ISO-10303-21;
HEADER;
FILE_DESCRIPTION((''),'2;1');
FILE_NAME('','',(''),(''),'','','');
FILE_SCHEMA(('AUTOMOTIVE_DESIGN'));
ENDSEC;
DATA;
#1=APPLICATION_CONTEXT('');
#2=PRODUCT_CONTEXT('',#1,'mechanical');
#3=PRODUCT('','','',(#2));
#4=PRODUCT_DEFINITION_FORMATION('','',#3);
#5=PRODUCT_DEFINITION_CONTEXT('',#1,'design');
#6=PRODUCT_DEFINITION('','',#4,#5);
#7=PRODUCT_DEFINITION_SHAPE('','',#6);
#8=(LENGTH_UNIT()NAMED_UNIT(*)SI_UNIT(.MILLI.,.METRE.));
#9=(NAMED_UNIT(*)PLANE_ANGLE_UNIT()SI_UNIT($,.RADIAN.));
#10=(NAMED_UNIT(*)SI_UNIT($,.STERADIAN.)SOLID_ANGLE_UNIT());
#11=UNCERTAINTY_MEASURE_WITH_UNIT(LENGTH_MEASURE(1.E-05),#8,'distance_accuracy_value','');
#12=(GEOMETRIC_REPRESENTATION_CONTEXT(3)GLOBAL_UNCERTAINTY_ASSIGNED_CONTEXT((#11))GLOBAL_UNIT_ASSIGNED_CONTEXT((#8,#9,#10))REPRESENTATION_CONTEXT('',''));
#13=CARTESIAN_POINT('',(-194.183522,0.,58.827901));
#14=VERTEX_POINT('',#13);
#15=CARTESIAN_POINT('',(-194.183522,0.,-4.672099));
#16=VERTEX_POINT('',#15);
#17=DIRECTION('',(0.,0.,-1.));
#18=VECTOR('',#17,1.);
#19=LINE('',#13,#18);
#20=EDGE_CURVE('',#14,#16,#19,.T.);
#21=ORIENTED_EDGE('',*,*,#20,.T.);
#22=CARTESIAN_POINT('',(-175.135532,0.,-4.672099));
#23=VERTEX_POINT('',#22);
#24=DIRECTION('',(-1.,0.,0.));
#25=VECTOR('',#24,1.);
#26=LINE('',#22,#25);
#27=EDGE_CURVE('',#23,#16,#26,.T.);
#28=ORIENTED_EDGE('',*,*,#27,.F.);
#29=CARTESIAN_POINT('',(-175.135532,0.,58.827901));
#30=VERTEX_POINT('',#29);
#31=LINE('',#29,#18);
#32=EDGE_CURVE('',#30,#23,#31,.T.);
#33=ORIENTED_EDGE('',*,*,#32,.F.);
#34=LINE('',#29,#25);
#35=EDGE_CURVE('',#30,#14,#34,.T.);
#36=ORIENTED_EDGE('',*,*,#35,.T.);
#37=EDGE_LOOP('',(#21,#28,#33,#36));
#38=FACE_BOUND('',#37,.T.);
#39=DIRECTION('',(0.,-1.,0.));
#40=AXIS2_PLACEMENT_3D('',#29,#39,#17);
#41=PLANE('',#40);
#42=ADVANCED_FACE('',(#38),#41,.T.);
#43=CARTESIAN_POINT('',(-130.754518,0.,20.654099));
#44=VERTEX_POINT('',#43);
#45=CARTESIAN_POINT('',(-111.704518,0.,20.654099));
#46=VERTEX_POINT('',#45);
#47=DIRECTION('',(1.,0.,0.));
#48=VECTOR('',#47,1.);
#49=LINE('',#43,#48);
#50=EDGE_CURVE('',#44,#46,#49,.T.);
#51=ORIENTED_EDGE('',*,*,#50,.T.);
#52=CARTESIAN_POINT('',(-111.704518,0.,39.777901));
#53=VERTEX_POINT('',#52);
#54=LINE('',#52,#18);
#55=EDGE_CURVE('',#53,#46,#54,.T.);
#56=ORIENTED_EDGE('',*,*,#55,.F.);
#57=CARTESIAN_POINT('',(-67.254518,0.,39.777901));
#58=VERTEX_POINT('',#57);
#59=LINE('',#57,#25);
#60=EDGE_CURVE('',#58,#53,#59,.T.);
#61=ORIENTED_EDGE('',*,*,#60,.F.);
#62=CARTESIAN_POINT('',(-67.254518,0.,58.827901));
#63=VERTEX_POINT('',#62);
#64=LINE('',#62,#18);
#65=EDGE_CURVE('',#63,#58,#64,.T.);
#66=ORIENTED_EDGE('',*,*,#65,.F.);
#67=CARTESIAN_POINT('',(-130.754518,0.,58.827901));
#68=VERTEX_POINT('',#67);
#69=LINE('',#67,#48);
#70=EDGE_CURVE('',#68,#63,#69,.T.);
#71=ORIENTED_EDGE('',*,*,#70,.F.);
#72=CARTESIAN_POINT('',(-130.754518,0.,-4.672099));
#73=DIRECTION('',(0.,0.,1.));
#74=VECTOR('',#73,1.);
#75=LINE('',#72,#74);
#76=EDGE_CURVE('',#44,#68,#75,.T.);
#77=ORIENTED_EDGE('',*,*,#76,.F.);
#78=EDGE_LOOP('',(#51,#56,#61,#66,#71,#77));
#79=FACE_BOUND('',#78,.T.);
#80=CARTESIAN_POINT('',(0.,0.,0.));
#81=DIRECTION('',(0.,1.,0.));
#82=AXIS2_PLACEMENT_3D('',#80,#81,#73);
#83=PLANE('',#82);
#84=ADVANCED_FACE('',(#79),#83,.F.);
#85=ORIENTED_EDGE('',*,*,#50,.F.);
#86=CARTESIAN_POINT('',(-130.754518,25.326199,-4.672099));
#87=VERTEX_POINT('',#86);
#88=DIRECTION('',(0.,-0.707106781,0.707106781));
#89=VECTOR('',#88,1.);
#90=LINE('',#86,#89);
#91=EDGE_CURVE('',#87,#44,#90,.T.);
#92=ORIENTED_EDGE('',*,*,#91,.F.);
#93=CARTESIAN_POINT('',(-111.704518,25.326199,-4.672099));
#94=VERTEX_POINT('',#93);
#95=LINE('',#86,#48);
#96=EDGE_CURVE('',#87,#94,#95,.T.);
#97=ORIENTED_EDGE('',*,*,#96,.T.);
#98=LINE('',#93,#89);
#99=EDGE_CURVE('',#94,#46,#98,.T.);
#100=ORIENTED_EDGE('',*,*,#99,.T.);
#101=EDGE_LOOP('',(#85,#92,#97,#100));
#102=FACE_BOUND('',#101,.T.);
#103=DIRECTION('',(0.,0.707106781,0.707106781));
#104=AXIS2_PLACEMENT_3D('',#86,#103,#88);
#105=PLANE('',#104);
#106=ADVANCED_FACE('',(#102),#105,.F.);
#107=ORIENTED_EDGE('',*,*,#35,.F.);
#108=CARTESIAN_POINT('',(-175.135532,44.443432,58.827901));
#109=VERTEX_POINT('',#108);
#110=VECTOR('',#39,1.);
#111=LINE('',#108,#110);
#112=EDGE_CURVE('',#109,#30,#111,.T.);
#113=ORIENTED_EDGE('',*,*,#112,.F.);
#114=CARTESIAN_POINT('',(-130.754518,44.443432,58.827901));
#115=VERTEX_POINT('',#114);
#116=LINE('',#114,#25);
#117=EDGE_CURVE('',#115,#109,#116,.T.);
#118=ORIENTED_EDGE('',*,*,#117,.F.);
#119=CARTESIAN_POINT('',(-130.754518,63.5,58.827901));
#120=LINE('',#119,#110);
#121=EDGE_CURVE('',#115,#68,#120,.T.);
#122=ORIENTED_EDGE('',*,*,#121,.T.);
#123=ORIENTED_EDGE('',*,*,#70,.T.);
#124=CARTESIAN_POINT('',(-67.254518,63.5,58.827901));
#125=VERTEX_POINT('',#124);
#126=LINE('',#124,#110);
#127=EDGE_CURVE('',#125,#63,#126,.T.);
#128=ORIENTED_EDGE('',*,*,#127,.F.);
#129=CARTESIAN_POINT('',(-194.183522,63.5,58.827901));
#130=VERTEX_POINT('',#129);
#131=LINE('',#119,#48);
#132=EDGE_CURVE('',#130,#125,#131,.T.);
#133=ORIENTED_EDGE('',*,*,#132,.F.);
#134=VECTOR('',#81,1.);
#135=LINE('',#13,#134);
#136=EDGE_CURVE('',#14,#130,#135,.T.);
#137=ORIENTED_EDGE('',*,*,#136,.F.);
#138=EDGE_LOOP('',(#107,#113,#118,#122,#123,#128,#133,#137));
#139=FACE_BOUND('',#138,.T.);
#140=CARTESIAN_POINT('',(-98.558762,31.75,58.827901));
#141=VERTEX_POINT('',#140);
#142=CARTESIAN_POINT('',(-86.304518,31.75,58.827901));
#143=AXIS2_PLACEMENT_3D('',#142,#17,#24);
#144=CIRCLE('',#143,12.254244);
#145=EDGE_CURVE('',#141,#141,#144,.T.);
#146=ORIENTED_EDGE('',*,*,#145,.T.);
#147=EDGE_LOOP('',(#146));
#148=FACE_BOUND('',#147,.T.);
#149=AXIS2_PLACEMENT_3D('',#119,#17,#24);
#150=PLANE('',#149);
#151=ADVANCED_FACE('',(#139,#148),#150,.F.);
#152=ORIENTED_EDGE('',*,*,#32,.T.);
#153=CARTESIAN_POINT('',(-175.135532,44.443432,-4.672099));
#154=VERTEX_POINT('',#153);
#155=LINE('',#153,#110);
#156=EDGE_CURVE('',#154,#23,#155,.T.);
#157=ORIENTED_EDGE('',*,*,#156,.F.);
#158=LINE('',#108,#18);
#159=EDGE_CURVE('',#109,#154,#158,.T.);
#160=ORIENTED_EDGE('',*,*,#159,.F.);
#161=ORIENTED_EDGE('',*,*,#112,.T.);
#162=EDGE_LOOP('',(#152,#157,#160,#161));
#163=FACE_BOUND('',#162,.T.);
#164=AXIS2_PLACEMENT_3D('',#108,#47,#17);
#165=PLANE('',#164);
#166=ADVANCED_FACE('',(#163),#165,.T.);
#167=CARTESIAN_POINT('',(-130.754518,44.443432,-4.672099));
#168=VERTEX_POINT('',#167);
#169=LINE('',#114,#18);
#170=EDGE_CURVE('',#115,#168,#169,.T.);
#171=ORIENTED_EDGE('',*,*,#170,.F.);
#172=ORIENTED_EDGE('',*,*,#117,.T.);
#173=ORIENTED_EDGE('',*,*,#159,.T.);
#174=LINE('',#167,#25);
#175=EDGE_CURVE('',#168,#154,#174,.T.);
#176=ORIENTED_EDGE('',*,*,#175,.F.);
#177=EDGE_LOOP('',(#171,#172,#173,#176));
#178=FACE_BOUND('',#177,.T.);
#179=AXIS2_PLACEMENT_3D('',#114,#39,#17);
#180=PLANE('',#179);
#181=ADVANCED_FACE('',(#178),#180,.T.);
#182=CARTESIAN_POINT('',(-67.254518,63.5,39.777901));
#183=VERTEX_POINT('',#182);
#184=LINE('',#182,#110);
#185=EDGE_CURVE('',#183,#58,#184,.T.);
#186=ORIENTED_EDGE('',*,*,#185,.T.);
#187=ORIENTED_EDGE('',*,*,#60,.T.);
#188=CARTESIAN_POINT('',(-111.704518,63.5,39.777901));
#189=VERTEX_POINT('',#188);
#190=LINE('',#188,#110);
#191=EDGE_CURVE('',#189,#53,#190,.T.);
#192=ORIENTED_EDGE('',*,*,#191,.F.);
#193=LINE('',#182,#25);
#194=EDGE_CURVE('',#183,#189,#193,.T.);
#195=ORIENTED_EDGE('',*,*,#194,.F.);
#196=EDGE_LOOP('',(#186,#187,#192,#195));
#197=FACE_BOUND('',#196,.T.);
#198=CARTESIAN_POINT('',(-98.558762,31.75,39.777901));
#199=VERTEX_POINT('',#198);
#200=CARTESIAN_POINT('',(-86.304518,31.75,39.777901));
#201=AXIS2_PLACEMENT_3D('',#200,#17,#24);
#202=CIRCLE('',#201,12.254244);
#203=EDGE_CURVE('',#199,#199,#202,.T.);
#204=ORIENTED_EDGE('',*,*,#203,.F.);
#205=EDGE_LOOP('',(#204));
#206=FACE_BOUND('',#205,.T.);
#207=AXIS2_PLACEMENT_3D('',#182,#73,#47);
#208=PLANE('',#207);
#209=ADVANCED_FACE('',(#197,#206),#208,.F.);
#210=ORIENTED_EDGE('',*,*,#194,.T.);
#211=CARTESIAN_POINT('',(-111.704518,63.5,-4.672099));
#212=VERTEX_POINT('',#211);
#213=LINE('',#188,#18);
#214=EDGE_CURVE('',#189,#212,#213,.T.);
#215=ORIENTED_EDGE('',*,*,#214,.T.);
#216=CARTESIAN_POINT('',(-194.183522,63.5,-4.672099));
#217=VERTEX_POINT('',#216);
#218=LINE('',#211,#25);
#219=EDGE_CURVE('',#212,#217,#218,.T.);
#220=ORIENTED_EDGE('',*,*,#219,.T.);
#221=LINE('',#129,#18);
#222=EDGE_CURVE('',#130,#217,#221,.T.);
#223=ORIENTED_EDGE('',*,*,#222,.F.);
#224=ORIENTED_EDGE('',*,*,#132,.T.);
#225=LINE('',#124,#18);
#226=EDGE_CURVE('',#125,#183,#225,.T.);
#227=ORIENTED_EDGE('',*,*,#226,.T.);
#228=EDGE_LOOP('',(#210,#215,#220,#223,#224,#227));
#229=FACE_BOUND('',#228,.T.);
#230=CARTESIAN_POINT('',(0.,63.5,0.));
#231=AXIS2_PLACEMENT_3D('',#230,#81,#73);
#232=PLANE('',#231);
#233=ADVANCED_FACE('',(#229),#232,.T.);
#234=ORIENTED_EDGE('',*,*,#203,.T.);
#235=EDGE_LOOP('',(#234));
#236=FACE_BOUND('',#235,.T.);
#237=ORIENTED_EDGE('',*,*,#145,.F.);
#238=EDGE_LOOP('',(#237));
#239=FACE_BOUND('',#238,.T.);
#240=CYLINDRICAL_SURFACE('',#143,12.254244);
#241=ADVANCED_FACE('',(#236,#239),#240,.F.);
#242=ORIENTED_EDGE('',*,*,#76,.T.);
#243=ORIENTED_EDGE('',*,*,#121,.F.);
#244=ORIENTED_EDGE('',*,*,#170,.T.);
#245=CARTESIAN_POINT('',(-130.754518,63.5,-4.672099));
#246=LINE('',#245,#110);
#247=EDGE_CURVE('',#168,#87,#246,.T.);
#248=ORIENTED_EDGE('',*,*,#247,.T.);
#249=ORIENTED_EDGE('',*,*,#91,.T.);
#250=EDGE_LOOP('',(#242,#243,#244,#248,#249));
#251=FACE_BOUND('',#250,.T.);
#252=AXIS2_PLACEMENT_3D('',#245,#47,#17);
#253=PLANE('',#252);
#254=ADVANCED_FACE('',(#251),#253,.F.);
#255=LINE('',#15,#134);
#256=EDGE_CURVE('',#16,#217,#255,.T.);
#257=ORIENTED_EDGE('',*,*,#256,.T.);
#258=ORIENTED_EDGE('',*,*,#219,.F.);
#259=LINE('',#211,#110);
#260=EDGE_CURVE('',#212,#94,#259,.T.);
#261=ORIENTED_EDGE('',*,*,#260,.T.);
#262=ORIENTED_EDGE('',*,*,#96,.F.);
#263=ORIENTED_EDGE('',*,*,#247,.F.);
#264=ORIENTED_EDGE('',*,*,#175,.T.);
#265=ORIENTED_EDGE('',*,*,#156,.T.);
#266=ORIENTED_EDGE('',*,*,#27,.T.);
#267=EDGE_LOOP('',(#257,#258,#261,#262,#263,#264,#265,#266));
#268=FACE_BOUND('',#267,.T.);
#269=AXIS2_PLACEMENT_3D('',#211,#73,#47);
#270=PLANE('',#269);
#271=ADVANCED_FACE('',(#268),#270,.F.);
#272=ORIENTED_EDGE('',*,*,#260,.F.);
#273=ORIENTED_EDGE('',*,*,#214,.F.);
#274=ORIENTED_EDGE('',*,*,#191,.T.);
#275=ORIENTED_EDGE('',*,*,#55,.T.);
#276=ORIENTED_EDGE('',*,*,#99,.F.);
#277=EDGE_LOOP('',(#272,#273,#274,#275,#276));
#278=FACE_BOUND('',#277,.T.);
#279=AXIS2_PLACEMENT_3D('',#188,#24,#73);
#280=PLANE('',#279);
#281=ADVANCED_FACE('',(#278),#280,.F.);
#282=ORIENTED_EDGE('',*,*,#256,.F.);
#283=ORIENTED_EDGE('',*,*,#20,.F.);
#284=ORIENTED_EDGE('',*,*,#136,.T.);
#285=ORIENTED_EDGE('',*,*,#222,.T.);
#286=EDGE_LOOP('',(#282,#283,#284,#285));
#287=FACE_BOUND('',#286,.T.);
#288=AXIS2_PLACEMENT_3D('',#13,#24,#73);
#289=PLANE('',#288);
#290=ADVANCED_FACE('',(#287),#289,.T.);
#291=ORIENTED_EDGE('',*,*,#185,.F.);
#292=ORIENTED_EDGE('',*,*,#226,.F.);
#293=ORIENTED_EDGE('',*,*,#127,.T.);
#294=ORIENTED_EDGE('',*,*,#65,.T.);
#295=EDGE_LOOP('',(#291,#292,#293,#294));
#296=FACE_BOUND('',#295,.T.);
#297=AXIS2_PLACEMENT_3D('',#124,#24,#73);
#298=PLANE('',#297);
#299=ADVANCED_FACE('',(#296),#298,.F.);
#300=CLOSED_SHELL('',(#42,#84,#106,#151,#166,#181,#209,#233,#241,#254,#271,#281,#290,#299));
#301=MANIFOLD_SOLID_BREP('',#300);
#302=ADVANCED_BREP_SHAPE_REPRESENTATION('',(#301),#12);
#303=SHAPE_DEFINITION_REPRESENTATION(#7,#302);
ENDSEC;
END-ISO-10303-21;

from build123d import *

# Parameters (mm, degrees)
BOSS_EXTRUDE1_DEPTH = 63.5
BOSS_EXTRUDE2_DEPTH = 63.5
SKETCH6_R           = 12.254243907
CUT_EXTRUDE1_DEPTH  = 20.05
CUT_EXTRUDE2_DEPTH  = 19.05


with BuildPart() as part:
    # Sketch3 → Boss-Extrude1 (new body)
    with BuildSketch(Plane(origin=(0, 0, 0), x_dir=(1, 0, 0), z_dir=(0, 1, 0))):
        Polygon((-130.754517968, 4.672099354), (-130.754517968, -58.827900646), (-67.254517968, -58.827900646), (-67.254517968, -39.777900646), (-111.704517968, -39.777900646), (-111.704517968, 4.672099354), align=None)
    extrude(amount=BOSS_EXTRUDE1_DEPTH)

    # Sketch4 → Boss-Extrude2 (add)
    with BuildSketch(Plane(origin=(0, 0, -4.672099354), x_dir=(-1, 0, 0), z_dir=(0, 0, -1))):
        Polygon((130.754517968, 63.5), (130.754517968, 44.443431663), (175.135531737, 44.443431663), (175.135531737, 0), (194.183522013, 0), (194.183522013, 63.5), align=None)
    extrude(amount=-BOSS_EXTRUDE2_DEPTH)

    # Sketch6 → Cut-Extrude1 (cut, through all)
    with BuildSketch(Plane(origin=(0, 0, 39.777900646), x_dir=(-1, 0, 0), z_dir=(0, 0, -1))):
        with Locations((86.304517968, 31.75)):
            Circle(SKETCH6_R)
    extrude(amount=-CUT_EXTRUDE1_DEPTH, mode=Mode.SUBTRACT)

    # Sketch8 → Cut-Extrude2 (cut)
    with BuildSketch(Plane(origin=(-111.704517968, 0, 0), x_dir=(0, 0, -1), z_dir=(1, 0, 0))):
        Polygon((4.672099354, 0), (4.672099354, 25.326198551), (-20.654099197, 0), align=None)
    extrude(amount=-CUT_EXTRUDE2_DEPTH, mode=Mode.SUBTRACT)


solid = part.part
